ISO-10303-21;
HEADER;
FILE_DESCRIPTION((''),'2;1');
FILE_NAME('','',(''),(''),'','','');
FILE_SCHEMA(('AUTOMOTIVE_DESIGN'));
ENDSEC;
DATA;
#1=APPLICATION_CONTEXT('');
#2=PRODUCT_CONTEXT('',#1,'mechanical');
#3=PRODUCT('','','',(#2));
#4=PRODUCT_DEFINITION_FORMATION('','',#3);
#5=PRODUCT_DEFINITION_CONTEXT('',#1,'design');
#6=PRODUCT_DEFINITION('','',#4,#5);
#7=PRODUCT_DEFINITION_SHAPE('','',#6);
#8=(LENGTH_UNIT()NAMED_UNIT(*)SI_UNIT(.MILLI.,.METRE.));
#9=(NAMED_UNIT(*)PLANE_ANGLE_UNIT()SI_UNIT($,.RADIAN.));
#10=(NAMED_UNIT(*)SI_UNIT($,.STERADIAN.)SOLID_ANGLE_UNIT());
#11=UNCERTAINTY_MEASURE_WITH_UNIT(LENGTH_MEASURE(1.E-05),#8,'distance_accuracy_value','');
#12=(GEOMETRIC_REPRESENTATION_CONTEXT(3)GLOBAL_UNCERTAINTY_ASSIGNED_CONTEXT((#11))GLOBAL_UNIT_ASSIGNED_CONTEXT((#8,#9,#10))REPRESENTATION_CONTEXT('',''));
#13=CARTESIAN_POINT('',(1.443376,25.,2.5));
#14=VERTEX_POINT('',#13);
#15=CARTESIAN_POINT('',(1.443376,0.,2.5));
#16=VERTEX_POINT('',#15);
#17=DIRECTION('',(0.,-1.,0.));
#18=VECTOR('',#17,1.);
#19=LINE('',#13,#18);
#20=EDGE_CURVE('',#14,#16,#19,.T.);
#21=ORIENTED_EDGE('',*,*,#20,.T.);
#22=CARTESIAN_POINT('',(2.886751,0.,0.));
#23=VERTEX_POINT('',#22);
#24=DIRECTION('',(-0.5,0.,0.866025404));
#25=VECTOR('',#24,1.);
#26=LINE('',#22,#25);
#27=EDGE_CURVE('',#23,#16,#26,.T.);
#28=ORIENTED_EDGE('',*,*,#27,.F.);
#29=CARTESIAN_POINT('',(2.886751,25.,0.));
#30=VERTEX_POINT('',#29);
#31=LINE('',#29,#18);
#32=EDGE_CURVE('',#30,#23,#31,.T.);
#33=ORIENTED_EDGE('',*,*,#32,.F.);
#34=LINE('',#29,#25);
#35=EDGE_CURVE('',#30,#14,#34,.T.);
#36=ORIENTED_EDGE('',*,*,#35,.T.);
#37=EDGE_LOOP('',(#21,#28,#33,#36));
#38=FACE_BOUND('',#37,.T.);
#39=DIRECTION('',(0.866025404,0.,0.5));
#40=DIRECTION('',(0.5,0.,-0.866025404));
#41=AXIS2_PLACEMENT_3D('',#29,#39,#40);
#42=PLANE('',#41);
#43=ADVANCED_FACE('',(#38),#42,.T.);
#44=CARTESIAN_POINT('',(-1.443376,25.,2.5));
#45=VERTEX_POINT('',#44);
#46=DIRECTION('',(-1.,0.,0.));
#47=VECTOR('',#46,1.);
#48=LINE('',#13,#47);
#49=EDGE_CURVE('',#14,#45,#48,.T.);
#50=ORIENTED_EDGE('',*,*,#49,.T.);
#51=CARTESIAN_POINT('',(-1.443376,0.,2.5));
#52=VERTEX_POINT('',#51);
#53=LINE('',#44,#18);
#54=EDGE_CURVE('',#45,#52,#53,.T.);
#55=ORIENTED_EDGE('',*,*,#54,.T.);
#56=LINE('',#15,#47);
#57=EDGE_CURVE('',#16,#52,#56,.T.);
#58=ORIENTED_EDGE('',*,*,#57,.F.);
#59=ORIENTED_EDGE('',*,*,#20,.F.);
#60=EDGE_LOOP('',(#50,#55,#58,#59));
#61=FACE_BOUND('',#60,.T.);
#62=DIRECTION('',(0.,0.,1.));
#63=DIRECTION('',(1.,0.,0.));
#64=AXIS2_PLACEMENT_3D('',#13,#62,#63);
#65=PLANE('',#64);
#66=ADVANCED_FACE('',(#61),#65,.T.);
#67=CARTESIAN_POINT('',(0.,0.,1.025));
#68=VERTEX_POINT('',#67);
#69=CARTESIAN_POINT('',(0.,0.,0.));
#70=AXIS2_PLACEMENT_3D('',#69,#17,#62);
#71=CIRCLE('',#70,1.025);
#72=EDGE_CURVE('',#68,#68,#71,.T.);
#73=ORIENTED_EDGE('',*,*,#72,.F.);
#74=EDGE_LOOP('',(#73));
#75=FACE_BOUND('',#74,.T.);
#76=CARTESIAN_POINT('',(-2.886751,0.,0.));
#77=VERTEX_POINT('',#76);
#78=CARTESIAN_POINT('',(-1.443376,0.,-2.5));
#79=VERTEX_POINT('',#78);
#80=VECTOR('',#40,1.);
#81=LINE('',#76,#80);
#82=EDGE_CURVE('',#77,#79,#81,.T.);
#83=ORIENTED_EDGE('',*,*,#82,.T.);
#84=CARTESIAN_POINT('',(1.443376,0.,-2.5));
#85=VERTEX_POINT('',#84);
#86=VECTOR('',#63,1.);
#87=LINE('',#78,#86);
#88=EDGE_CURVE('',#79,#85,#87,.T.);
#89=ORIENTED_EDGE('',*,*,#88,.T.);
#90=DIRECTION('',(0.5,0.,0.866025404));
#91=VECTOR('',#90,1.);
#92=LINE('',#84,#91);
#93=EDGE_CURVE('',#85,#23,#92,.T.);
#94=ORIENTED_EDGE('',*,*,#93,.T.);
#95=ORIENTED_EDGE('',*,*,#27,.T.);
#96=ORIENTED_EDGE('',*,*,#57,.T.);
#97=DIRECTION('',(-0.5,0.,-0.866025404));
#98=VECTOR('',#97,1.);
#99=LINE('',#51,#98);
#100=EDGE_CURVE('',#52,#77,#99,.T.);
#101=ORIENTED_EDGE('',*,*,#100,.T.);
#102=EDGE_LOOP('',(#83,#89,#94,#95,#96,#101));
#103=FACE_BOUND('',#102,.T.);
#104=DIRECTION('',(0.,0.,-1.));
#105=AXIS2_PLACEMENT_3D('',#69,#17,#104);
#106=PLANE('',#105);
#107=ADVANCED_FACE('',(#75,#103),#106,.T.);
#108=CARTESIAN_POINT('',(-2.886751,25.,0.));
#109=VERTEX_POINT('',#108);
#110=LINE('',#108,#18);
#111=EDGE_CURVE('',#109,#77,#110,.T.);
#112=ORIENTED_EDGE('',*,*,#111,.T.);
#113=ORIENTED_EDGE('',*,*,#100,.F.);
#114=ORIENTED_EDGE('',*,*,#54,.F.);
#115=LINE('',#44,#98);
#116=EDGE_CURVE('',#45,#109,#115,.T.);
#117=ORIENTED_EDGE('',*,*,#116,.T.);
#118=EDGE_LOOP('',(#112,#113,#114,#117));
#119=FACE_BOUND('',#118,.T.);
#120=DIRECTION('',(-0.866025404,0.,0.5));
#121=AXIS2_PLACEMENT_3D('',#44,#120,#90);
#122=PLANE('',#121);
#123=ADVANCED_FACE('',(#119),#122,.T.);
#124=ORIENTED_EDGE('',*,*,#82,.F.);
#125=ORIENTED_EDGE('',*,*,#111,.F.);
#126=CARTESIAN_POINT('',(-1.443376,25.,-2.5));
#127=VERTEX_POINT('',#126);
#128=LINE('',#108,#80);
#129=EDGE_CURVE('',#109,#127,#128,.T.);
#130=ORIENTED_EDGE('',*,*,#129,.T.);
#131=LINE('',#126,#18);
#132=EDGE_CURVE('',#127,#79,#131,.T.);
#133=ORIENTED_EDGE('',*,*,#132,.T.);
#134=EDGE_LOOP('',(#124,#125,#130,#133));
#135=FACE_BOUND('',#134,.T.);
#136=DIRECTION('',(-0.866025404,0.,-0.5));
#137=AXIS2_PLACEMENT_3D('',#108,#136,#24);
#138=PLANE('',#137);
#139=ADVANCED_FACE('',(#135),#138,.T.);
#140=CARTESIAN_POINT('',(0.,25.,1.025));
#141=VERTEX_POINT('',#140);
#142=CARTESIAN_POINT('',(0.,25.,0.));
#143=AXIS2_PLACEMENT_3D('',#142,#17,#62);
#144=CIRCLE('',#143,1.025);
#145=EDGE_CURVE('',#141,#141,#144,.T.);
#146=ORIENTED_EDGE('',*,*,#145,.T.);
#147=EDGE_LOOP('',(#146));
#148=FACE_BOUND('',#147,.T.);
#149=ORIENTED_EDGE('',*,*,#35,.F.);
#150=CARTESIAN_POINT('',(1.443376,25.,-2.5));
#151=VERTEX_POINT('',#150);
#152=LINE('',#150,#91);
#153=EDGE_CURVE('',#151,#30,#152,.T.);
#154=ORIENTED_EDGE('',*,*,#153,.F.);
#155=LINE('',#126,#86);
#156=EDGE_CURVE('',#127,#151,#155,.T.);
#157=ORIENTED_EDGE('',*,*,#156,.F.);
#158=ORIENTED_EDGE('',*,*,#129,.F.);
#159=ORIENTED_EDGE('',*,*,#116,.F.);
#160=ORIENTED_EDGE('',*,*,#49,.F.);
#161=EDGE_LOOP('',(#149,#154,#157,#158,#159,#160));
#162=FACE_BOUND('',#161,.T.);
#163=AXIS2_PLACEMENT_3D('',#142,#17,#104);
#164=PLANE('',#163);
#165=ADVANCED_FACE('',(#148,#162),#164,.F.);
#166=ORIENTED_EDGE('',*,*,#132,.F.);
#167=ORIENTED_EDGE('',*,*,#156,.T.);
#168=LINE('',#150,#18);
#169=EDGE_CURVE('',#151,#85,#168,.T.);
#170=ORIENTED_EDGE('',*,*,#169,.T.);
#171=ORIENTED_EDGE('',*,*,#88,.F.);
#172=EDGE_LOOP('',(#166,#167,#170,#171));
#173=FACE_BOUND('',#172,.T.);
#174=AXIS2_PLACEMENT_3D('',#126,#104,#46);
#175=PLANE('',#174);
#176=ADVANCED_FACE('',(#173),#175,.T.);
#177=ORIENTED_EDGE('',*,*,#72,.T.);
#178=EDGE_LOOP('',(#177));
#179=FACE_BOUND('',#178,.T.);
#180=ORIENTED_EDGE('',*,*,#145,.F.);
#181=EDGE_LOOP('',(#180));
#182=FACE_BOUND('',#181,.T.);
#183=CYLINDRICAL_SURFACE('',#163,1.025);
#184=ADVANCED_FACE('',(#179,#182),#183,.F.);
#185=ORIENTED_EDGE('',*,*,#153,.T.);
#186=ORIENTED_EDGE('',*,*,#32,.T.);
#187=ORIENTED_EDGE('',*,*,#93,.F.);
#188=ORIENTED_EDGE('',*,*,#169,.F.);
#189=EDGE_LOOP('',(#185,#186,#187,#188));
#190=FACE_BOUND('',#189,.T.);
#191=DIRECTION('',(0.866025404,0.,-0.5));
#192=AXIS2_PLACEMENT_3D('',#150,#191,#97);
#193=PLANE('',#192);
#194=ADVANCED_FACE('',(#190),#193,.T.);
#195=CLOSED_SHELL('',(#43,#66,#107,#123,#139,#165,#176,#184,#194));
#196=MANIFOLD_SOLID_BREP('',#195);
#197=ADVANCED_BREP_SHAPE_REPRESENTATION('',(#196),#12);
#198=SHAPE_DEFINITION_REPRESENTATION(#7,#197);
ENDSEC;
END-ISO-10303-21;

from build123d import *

# Parameters (mm, degrees)
SKETCH_1_R      = 1.025
EXTRUDE_1_DEPTH = 25


with BuildPart() as part:
    # 草图1 → 凸台-拉伸1 (new body)
    with BuildSketch(Plane.XZ):
        Polygon((-1.443375673, -2.5), (1.443375673, -2.5), (2.886751346, 0), (1.443375673, 2.5), (-1.443375673, 2.5), (-2.886751346, 0), align=None)
        with Locations(Location((0, 0, 0), (0, 0, 90))):
            Circle(SKETCH_1_R, mode=Mode.SUBTRACT)
    extrude(amount=-EXTRUDE_1_DEPTH)


solid = part.part
